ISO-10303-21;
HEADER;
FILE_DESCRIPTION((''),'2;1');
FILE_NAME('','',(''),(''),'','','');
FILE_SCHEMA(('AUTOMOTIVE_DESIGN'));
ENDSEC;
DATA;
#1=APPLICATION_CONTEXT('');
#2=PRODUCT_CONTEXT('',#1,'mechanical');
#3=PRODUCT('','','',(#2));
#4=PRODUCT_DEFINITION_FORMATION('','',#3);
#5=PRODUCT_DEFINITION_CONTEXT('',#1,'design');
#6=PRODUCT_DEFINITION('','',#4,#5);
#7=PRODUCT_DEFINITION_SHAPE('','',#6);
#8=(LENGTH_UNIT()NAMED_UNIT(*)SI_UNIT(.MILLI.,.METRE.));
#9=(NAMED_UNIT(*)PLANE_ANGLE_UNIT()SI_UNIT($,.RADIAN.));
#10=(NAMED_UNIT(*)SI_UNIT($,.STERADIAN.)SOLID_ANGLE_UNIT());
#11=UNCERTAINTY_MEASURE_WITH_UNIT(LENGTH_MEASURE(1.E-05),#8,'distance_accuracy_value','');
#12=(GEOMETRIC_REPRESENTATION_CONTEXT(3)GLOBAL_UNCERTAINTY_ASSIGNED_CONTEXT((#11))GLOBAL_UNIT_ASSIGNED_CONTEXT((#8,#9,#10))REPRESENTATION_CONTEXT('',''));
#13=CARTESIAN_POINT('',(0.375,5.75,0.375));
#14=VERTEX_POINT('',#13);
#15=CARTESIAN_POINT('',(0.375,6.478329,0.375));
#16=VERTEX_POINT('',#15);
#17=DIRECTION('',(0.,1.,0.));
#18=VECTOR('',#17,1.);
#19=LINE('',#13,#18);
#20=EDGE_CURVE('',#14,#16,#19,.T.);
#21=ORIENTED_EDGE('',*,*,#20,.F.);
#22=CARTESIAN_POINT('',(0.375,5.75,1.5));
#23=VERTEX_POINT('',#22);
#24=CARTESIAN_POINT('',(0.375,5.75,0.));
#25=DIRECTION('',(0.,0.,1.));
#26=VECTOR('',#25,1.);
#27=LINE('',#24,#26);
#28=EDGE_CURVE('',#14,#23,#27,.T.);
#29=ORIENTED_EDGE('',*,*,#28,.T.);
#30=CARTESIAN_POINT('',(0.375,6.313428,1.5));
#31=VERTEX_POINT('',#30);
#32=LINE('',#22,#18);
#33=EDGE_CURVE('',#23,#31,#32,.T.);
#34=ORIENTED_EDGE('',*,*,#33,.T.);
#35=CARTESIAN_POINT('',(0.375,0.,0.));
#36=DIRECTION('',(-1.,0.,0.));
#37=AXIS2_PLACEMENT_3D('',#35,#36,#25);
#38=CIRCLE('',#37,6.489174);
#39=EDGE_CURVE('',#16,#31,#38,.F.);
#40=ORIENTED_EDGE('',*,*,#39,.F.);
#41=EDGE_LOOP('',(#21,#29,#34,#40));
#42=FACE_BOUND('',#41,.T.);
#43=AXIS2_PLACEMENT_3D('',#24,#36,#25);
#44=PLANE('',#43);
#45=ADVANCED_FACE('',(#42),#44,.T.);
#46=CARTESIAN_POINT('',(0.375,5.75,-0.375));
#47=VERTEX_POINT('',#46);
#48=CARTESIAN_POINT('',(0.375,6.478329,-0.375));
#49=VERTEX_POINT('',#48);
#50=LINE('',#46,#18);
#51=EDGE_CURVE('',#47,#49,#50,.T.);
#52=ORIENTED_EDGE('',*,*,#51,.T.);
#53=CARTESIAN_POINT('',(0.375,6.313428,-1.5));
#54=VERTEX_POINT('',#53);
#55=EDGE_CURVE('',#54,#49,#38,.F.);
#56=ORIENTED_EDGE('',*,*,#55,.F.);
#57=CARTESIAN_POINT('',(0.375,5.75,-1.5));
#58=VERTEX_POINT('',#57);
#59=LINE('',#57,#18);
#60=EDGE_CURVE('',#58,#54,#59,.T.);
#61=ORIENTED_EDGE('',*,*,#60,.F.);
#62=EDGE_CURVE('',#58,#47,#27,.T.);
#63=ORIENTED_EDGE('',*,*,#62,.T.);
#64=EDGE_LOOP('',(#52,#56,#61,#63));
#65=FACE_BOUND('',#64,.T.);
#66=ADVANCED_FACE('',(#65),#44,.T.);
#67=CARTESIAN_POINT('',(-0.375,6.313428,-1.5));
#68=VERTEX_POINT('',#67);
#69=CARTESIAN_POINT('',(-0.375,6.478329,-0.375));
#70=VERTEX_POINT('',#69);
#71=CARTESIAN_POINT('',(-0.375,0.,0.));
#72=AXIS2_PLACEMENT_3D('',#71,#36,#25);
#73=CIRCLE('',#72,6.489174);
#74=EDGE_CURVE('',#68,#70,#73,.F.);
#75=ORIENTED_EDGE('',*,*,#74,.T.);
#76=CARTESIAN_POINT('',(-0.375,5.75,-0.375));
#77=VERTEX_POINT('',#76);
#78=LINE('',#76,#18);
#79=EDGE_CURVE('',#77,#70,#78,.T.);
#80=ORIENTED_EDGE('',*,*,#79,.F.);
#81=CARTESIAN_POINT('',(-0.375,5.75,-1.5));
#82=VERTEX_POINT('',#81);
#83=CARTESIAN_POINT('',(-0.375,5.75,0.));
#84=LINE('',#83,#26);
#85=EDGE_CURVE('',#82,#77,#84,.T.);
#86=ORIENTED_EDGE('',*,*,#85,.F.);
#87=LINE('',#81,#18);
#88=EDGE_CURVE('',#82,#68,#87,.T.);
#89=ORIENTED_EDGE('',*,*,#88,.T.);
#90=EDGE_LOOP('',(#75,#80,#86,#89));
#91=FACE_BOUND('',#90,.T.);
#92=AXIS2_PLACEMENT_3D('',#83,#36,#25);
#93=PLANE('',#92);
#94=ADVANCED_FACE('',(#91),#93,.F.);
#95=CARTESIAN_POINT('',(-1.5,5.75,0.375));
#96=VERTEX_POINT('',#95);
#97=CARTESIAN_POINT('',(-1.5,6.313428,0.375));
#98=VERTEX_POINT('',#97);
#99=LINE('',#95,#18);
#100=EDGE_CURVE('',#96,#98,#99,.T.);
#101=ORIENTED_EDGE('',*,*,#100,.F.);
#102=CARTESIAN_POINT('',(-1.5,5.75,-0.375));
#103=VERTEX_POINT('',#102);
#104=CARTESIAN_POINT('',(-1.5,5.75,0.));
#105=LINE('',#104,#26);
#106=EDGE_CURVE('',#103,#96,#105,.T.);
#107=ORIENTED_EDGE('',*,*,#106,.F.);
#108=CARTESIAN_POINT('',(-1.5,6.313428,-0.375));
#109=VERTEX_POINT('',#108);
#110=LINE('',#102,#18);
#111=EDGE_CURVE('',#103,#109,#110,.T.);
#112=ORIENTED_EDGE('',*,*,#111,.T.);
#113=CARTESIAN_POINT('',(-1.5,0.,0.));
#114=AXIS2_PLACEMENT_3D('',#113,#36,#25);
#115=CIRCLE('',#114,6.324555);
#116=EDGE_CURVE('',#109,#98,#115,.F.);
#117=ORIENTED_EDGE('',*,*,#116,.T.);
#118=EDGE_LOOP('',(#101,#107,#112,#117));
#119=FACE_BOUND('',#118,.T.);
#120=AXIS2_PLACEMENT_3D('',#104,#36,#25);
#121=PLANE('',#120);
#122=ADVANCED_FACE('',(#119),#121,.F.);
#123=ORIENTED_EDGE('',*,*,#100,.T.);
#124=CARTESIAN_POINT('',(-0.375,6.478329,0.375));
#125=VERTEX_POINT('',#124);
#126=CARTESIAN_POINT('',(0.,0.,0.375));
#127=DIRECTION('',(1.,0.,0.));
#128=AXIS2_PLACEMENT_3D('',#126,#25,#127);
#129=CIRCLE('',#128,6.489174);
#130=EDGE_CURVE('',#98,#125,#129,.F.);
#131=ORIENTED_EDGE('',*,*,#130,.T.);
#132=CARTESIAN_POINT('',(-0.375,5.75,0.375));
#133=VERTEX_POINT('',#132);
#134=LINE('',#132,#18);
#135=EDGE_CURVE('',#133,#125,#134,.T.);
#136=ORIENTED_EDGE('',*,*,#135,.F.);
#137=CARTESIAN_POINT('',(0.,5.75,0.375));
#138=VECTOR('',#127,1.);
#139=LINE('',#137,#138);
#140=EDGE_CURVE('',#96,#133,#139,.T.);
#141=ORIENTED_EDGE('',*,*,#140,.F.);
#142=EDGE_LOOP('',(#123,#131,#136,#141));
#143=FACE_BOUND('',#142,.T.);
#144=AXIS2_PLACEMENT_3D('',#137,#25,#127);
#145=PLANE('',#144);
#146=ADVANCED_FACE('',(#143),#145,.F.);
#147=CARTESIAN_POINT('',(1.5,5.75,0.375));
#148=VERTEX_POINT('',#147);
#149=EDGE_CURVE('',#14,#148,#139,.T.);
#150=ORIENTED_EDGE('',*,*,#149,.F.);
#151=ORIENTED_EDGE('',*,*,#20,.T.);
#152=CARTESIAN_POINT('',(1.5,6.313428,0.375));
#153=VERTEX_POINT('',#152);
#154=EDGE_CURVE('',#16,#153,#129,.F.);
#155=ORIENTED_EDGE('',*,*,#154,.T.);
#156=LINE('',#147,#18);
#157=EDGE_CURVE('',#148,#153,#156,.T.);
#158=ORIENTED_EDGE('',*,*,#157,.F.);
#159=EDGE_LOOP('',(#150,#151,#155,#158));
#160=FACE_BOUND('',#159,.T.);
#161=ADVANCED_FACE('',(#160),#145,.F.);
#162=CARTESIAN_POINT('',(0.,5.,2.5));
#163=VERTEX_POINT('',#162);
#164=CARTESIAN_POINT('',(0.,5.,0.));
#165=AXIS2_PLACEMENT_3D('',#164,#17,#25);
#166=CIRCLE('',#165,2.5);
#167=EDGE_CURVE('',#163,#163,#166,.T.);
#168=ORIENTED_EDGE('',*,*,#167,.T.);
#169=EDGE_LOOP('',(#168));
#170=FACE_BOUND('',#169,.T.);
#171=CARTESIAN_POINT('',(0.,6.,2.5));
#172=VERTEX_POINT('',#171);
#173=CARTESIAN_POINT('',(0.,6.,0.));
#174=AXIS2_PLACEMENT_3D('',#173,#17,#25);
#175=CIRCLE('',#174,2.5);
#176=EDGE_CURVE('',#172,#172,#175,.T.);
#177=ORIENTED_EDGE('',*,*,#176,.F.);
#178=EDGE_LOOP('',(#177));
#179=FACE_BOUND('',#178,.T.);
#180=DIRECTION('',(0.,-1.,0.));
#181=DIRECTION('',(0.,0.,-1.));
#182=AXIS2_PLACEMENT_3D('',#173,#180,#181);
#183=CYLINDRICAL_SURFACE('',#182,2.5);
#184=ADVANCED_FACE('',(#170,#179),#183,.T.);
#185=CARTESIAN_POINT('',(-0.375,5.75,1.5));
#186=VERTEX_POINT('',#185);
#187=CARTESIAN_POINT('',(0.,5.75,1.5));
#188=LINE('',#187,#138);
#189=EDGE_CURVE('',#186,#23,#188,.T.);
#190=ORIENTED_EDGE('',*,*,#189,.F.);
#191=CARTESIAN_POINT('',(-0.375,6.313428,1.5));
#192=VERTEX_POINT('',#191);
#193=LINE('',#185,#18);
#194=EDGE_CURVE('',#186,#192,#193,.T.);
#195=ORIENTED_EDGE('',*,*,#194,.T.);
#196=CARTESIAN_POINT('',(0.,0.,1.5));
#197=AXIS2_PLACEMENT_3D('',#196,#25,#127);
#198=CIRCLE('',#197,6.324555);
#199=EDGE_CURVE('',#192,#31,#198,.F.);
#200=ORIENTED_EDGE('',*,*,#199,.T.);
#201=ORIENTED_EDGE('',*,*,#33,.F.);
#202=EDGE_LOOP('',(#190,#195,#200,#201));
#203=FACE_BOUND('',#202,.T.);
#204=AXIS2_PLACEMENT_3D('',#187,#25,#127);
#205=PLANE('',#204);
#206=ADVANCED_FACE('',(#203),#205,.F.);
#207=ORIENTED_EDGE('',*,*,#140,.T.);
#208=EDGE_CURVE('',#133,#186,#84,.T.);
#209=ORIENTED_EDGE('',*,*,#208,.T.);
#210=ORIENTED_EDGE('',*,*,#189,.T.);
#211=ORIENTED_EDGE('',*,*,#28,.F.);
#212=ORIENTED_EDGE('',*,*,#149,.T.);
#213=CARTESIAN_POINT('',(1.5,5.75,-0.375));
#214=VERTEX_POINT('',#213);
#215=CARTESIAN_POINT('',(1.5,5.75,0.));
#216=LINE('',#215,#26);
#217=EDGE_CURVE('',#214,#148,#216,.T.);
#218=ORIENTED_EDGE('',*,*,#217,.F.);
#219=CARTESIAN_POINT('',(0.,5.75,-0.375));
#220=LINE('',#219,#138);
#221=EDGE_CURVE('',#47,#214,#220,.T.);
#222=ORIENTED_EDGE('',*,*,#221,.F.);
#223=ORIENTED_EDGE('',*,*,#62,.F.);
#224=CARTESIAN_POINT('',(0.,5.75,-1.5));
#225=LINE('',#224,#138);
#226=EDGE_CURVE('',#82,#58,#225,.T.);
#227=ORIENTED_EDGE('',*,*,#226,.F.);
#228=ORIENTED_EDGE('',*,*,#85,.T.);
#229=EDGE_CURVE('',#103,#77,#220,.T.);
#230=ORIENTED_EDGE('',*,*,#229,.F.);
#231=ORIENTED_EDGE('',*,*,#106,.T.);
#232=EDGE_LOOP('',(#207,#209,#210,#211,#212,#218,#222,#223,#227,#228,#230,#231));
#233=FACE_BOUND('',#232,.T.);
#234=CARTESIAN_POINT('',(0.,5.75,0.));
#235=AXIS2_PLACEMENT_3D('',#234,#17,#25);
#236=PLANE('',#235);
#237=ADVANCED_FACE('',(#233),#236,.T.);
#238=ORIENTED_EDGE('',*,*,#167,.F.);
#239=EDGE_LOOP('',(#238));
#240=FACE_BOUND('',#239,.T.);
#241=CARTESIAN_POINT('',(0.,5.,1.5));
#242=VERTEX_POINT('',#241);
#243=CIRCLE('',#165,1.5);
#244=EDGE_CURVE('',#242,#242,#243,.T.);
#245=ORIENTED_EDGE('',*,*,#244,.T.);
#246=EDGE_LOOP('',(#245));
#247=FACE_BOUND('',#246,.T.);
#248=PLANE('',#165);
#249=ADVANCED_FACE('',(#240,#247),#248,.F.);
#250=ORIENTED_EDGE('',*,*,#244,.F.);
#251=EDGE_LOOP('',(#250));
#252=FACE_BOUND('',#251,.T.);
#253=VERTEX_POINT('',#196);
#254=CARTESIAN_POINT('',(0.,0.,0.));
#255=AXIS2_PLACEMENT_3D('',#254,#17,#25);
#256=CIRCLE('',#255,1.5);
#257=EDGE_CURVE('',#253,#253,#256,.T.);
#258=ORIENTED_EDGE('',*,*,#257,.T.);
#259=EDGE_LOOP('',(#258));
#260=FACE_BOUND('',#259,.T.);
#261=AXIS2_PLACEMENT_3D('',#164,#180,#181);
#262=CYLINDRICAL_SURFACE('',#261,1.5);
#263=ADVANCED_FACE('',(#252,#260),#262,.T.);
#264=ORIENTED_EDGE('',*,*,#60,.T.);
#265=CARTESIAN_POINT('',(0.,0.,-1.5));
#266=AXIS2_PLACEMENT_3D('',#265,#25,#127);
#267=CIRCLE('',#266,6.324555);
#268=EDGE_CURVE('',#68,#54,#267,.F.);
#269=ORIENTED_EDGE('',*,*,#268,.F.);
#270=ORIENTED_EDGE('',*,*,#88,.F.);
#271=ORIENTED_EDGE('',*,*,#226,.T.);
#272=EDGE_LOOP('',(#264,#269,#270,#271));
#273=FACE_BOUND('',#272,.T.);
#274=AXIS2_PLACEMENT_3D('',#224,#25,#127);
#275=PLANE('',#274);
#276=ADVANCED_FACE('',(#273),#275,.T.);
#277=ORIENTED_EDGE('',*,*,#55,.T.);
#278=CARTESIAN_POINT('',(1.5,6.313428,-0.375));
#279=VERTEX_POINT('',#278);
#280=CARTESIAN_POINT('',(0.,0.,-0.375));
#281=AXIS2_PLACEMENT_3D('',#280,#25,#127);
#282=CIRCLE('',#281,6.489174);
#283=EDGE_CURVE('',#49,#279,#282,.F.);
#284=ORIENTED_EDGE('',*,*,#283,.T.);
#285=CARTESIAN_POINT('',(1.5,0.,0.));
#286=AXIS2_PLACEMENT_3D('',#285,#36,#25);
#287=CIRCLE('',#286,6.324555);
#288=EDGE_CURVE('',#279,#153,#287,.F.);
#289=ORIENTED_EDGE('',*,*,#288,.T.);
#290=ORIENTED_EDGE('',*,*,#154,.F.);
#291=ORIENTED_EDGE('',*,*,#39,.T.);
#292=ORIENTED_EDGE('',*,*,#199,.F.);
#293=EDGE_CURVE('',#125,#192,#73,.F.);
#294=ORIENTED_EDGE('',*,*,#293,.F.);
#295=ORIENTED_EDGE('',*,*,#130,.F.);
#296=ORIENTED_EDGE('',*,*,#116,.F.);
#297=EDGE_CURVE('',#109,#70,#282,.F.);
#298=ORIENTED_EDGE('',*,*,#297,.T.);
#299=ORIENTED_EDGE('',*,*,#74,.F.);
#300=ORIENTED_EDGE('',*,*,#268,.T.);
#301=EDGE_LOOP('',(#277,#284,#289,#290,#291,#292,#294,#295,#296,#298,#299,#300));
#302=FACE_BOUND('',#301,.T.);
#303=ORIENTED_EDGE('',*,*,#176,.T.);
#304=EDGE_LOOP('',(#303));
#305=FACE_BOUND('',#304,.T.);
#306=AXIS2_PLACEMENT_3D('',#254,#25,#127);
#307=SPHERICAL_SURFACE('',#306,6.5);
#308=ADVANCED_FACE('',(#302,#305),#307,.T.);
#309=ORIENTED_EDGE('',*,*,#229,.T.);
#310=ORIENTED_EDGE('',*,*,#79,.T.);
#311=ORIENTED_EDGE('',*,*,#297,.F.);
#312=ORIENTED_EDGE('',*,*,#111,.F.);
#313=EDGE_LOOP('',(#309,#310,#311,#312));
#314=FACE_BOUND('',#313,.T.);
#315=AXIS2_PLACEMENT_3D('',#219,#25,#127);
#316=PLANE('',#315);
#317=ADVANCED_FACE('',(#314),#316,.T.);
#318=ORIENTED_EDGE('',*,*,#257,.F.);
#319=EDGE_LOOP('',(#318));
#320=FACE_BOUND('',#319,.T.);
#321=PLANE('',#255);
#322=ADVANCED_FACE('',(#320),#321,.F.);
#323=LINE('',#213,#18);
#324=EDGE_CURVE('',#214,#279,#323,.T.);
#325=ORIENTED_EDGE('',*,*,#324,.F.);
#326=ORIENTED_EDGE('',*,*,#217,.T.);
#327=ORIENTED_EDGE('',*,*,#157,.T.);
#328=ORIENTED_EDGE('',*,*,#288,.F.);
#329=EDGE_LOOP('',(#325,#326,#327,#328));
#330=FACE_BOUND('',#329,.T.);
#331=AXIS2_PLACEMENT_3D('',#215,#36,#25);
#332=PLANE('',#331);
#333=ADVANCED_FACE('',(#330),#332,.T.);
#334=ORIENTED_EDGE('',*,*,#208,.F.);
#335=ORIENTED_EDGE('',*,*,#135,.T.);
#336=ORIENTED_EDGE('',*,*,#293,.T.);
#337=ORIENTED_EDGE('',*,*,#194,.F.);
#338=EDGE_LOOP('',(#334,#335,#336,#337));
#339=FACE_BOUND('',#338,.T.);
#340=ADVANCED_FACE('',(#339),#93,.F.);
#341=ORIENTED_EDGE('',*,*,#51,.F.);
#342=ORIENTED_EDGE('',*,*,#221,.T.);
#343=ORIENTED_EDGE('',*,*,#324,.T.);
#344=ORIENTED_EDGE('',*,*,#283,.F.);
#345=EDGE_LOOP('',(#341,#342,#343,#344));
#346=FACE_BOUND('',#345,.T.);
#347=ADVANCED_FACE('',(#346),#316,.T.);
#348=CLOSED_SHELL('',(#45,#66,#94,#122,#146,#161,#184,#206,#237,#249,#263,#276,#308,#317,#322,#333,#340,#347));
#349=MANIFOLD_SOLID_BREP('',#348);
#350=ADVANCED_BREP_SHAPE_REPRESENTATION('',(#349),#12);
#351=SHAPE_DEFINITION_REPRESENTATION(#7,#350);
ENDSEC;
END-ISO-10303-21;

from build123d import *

# Parameters (mm, degrees)
SKETCH1_R           = 1.5
BOSS_EXTRUDE1_DEPTH = 5
SKETCH2_R           = 2.5
BOSS_EXTRUDE2_DEPTH = 1
DOME1_FACE_RADIUS   = 2.5
DOME1_HEIGHT        = 0.5
SKETCH3_W           = 1.125
SKETCH3_H           = 0.75
SKETCH3_W_2         = 0.75
SKETCH3_H_2         = 1.125
CUT_EXTRUDE1_DEPTH  = 0.75


with BuildPart() as part:
    # Sketch1 → Boss-Extrude1 (new body)
    with BuildSketch(Plane(origin=(0, 0, 0), x_dir=(1, 0, 0), z_dir=(0, 1, 0))):
        Circle(SKETCH1_R)
    extrude(amount=BOSS_EXTRUDE1_DEPTH)

    # Sketch2 → Boss-Extrude2 (add)
    with BuildSketch(Plane(origin=(0, 5, 0), x_dir=(1, 0, 0), z_dir=(0, 1, 0))):
        Circle(SKETCH2_R)
    extrude(amount=BOSS_EXTRUDE2_DEPTH)

    # Dome1: a dome of height H over a round flat face of radius A is a cap of a sphere of radius (A * A + H * H) / (2 * H)
    dome1_r = (DOME1_FACE_RADIUS * DOME1_FACE_RADIUS + DOME1_HEIGHT * DOME1_HEIGHT) / (2 * DOME1_HEIGHT)
    dome1_base = Plane((0, 6, 0), z_dir=(0, 1, 0))
    with Locations(dome1_base.offset(DOME1_HEIGHT - dome1_r)):
        dome1_ball = Sphere(dome1_r, mode=Mode.PRIVATE)
    add(split(dome1_ball, bisect_by=dome1_base, keep=Keep.TOP, mode=Mode.PRIVATE))

    # Sketch3 → Cut-Extrude1 (cut)
    with BuildSketch(Plane(origin=(0, 6.5, 0), x_dir=(1, 0, 0), z_dir=(0, 1, 0))):
        with Locations((-0.9375, 0)):
            Rectangle(SKETCH3_W, SKETCH3_H)
        Rectangle(SKETCH3_W_2, SKETCH3_H)
        with Locations((0, 0.9375)):
            Rectangle(SKETCH3_W_2, SKETCH3_H_2)
        with Locations((0.9375, 0)):
            Rectangle(SKETCH3_W, SKETCH3_H)
        with Locations((0, -0.9375)):
            Rectangle(SKETCH3_W_2, SKETCH3_H_2)
    extrude(amount=-CUT_EXTRUDE1_DEPTH, mode=Mode.SUBTRACT)


solid = part.part
